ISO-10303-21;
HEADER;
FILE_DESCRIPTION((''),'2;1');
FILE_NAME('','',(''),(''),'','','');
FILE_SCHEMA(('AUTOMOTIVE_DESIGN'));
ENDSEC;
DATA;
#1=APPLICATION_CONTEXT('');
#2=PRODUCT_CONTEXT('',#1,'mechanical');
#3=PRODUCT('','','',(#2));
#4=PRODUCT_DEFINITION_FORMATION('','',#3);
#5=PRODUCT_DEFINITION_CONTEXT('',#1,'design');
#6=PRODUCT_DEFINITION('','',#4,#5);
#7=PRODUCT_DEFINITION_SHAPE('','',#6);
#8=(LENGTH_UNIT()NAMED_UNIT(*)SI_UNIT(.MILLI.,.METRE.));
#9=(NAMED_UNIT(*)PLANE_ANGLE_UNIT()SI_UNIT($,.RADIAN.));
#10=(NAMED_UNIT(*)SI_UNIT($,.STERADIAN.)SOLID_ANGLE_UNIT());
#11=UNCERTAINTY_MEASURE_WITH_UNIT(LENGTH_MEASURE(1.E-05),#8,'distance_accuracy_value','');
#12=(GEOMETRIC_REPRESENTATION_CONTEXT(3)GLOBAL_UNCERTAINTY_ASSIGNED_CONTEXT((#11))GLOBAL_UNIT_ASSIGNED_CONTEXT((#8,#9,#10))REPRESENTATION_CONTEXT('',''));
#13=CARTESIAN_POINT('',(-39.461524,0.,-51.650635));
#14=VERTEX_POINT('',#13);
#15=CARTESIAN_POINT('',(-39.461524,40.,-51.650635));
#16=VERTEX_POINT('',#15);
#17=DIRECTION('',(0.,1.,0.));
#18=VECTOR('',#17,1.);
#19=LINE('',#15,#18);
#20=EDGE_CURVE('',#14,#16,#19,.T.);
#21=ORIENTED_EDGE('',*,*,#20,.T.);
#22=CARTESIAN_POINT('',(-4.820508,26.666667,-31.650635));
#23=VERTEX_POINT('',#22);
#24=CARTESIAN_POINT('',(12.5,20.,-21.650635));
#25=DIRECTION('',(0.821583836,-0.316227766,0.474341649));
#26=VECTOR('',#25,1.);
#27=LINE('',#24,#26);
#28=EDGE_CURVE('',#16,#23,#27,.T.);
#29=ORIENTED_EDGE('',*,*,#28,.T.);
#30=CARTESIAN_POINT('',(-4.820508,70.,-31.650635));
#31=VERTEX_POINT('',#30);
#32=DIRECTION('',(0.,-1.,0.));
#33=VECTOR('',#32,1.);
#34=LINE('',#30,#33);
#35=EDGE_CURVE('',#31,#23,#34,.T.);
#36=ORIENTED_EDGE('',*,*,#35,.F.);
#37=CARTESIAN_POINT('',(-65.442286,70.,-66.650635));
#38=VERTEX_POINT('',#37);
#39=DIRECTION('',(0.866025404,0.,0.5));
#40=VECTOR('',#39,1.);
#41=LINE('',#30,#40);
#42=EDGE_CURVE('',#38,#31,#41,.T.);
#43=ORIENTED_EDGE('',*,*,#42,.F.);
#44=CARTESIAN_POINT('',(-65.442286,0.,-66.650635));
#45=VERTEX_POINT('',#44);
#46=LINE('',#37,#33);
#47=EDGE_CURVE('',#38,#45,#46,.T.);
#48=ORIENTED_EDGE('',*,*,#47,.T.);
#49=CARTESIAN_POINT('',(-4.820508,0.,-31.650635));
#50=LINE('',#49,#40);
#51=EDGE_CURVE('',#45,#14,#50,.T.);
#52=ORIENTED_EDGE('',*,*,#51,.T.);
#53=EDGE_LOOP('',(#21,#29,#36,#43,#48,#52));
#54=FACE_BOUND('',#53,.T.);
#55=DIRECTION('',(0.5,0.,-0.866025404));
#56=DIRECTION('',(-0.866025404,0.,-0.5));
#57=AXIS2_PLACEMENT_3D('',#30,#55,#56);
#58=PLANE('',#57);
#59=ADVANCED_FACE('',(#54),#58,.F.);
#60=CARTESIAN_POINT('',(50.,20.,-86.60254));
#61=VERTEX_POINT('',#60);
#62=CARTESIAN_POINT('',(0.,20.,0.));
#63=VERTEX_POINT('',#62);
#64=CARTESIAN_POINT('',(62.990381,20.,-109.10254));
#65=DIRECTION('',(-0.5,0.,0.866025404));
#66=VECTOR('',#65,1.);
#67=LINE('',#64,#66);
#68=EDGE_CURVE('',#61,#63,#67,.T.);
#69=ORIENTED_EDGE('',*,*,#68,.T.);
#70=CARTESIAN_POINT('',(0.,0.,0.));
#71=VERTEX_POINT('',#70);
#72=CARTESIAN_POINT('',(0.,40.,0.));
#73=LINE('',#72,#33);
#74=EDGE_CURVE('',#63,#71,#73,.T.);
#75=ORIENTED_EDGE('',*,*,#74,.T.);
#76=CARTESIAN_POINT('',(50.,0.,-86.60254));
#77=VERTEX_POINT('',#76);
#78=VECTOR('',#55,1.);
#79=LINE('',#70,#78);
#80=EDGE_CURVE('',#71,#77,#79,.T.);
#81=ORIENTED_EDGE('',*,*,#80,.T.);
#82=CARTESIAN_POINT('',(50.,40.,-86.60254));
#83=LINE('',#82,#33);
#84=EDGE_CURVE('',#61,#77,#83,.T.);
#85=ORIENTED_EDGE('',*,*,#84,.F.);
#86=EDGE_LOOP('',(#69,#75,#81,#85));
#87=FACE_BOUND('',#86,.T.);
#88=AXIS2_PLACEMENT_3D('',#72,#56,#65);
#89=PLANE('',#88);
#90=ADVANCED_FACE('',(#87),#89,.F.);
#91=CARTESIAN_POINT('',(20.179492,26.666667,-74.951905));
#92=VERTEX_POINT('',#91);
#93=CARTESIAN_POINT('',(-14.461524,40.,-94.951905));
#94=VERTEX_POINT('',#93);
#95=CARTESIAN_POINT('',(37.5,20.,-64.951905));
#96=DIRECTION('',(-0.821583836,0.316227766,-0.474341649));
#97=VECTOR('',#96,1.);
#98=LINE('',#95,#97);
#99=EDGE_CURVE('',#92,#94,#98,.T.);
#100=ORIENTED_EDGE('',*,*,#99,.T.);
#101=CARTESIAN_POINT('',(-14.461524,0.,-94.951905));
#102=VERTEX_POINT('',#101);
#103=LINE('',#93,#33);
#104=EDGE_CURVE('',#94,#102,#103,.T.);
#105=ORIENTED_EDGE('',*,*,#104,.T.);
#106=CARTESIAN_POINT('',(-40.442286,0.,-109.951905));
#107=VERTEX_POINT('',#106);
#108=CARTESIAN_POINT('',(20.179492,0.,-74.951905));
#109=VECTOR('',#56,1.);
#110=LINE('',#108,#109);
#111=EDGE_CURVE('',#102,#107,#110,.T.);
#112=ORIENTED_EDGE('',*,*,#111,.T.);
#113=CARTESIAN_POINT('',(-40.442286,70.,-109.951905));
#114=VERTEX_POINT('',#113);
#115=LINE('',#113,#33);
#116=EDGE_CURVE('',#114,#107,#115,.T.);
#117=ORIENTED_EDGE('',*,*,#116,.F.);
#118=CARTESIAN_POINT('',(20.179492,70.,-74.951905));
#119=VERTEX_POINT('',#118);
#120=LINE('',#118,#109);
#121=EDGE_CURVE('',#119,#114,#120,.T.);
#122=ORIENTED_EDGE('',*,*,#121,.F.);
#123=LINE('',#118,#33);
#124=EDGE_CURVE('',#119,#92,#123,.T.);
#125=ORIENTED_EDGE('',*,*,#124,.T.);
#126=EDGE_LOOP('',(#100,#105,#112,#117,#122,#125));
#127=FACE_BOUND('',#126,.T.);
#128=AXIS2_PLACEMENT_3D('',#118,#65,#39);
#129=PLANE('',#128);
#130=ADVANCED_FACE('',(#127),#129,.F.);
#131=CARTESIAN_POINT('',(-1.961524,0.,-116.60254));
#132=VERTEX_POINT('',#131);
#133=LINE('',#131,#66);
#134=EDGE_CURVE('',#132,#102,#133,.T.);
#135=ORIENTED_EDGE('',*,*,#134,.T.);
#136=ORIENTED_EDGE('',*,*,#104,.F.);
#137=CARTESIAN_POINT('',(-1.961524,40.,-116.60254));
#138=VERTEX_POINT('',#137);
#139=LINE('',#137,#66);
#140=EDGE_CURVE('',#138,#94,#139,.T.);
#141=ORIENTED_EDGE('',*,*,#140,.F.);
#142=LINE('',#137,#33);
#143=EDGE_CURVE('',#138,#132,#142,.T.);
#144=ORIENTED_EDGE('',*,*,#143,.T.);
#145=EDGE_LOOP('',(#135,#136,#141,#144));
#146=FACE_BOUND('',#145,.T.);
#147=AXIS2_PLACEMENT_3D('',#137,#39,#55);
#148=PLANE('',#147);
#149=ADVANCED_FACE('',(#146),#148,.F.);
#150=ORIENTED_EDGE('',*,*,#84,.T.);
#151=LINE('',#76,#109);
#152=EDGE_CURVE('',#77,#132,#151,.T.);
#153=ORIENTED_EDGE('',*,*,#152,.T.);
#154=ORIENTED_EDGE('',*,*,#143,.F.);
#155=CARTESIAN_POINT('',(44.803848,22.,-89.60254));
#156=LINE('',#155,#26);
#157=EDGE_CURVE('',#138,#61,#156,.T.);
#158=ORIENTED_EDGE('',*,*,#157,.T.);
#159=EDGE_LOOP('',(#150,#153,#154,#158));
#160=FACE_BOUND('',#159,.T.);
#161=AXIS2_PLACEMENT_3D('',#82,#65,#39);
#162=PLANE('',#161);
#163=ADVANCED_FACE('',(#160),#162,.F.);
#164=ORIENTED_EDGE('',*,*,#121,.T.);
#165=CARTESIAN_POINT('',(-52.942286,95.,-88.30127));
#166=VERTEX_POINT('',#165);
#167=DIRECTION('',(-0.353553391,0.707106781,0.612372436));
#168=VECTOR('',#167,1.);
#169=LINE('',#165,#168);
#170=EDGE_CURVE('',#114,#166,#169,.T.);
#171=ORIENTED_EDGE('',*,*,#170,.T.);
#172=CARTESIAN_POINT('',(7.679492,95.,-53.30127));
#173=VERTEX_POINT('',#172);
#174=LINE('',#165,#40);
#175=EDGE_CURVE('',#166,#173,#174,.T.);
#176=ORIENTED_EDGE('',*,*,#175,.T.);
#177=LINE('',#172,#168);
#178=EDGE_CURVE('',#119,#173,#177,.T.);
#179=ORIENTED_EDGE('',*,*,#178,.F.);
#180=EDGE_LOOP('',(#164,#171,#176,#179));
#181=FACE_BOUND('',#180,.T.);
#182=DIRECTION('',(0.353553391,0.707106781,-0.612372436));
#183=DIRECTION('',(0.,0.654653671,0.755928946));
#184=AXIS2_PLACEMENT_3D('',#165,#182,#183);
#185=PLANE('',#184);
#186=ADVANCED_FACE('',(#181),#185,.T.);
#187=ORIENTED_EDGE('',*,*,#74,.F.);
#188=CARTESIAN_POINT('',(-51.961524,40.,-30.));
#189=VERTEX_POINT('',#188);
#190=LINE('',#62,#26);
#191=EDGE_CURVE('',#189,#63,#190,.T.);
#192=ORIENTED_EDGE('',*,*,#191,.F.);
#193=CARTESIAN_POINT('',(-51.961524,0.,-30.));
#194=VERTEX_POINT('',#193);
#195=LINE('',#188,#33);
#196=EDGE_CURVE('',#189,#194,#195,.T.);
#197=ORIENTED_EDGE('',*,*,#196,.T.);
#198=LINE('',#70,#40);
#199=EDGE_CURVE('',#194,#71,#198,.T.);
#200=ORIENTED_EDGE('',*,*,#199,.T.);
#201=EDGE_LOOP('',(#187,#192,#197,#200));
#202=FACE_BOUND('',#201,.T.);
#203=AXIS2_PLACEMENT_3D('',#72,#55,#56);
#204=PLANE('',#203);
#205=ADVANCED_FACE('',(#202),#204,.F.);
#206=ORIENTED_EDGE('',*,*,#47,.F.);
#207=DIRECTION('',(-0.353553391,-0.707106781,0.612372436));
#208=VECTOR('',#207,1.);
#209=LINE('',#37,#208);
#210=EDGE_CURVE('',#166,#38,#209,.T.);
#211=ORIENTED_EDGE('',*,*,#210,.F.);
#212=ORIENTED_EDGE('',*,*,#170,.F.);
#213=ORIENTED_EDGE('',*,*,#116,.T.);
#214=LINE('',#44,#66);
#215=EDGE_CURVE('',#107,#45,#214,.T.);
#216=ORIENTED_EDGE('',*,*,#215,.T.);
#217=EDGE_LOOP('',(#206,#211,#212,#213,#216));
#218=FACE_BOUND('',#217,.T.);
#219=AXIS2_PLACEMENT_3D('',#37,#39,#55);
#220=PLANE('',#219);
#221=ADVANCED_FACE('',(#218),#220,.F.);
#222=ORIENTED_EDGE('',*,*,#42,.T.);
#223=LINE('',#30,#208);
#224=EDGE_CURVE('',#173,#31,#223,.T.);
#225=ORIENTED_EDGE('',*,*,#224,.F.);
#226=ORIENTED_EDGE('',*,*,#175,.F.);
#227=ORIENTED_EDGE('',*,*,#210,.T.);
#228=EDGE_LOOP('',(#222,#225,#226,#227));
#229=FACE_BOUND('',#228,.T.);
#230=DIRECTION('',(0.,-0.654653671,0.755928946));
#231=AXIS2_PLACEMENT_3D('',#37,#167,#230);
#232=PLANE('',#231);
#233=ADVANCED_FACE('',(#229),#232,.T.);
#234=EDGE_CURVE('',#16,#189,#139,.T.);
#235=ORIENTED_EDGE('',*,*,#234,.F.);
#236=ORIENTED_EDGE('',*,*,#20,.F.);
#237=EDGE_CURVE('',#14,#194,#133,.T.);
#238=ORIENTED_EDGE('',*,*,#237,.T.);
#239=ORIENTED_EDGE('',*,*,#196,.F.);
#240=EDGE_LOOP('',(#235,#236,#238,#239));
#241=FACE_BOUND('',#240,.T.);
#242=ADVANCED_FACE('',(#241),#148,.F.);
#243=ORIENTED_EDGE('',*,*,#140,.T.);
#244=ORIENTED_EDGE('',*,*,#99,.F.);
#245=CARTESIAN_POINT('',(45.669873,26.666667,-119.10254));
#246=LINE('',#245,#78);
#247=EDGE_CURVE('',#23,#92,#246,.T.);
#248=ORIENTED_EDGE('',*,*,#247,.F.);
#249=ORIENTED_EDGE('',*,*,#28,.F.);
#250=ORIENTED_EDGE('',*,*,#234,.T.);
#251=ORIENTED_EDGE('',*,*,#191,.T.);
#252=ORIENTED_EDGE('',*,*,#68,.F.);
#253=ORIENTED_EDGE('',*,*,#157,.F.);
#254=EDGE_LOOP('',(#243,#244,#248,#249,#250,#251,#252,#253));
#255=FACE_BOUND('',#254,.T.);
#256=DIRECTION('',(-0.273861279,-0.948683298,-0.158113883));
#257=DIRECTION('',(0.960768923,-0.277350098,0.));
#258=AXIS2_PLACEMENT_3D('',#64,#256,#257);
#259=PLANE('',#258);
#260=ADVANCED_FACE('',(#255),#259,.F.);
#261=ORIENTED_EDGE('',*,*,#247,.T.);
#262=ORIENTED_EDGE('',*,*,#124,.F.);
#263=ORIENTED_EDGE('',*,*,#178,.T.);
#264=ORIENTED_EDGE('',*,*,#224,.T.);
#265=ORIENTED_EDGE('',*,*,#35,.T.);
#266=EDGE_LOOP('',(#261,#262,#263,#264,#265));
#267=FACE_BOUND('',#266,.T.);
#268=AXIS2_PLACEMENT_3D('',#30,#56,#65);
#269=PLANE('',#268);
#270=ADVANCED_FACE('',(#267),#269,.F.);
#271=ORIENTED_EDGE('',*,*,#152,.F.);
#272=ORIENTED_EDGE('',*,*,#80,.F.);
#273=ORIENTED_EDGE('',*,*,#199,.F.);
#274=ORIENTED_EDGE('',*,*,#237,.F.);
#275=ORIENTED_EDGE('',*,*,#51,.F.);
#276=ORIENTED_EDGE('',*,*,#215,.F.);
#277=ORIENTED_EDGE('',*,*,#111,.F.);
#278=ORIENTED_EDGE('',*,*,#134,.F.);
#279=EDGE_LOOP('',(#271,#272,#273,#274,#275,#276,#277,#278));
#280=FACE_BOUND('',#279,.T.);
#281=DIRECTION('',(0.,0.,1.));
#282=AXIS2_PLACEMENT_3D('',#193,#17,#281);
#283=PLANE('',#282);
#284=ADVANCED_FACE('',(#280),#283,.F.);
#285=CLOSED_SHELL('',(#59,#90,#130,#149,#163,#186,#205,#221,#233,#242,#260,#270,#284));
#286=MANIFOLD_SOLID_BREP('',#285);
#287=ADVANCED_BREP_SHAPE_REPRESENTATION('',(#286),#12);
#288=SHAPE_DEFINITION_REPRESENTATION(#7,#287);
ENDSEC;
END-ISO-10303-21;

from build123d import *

# Parameters (mm, degrees)
EXTRUDE1_DEPTH     = 40
CUT_EXTRUDE1_DEPTH = 126.980762114
EXTRUDE2_DEPTH     = 70
EXTRUDE3_DEPTH     = 70


with BuildPart() as part:
    # Sketch1 → Extrude1 (new body)
    with BuildSketch(Plane(origin=(0, 0, 0), x_dir=(1, 0, 0), z_dir=(0, 1, 0))):
        Polygon((0, 0), (50, 86.602540378), (-1.961524227, 116.602540378), (-51.961524227, 30), align=None)
    extrude(amount=EXTRUDE1_DEPTH)

    # Sketch2 → Cut-Extrude1 (cut, through all)
    with BuildSketch(Plane(origin=(0, 0, 0), x_dir=(0.866025404, 0, 0.5), z_dir=(-0.5, 0, 0.866025404))):
        Polygon((0, 20), (-60, 40), (0, 40), align=None)
    extrude(amount=-CUT_EXTRUDE1_DEPTH, mode=Mode.SUBTRACT)

    # Sketch3 → Extrude2 (add)
    with BuildSketch(Plane(origin=(0, 0, 0), x_dir=(1, 0, 0), z_dir=(0, 1, 0))):
        Polygon((-65.442286341, 66.650635095), (-40.442286341, 109.951905284), (20.179491924, 74.951905284), (-4.820508076, 31.650635095), align=None)
    extrude(amount=EXTRUDE2_DEPTH)

    # Sketch4 → Extrude3 (add)
    with BuildSketch(Plane(origin=(-17.320508076, 0, -10), x_dir=(0.5, 0, -0.866025404), z_dir=(0.866025404, 0, 0.5))):
        Polygon((25, 70), (75, 70), (50, 95), align=None)
    extrude(amount=-EXTRUDE3_DEPTH)


solid = part.part
